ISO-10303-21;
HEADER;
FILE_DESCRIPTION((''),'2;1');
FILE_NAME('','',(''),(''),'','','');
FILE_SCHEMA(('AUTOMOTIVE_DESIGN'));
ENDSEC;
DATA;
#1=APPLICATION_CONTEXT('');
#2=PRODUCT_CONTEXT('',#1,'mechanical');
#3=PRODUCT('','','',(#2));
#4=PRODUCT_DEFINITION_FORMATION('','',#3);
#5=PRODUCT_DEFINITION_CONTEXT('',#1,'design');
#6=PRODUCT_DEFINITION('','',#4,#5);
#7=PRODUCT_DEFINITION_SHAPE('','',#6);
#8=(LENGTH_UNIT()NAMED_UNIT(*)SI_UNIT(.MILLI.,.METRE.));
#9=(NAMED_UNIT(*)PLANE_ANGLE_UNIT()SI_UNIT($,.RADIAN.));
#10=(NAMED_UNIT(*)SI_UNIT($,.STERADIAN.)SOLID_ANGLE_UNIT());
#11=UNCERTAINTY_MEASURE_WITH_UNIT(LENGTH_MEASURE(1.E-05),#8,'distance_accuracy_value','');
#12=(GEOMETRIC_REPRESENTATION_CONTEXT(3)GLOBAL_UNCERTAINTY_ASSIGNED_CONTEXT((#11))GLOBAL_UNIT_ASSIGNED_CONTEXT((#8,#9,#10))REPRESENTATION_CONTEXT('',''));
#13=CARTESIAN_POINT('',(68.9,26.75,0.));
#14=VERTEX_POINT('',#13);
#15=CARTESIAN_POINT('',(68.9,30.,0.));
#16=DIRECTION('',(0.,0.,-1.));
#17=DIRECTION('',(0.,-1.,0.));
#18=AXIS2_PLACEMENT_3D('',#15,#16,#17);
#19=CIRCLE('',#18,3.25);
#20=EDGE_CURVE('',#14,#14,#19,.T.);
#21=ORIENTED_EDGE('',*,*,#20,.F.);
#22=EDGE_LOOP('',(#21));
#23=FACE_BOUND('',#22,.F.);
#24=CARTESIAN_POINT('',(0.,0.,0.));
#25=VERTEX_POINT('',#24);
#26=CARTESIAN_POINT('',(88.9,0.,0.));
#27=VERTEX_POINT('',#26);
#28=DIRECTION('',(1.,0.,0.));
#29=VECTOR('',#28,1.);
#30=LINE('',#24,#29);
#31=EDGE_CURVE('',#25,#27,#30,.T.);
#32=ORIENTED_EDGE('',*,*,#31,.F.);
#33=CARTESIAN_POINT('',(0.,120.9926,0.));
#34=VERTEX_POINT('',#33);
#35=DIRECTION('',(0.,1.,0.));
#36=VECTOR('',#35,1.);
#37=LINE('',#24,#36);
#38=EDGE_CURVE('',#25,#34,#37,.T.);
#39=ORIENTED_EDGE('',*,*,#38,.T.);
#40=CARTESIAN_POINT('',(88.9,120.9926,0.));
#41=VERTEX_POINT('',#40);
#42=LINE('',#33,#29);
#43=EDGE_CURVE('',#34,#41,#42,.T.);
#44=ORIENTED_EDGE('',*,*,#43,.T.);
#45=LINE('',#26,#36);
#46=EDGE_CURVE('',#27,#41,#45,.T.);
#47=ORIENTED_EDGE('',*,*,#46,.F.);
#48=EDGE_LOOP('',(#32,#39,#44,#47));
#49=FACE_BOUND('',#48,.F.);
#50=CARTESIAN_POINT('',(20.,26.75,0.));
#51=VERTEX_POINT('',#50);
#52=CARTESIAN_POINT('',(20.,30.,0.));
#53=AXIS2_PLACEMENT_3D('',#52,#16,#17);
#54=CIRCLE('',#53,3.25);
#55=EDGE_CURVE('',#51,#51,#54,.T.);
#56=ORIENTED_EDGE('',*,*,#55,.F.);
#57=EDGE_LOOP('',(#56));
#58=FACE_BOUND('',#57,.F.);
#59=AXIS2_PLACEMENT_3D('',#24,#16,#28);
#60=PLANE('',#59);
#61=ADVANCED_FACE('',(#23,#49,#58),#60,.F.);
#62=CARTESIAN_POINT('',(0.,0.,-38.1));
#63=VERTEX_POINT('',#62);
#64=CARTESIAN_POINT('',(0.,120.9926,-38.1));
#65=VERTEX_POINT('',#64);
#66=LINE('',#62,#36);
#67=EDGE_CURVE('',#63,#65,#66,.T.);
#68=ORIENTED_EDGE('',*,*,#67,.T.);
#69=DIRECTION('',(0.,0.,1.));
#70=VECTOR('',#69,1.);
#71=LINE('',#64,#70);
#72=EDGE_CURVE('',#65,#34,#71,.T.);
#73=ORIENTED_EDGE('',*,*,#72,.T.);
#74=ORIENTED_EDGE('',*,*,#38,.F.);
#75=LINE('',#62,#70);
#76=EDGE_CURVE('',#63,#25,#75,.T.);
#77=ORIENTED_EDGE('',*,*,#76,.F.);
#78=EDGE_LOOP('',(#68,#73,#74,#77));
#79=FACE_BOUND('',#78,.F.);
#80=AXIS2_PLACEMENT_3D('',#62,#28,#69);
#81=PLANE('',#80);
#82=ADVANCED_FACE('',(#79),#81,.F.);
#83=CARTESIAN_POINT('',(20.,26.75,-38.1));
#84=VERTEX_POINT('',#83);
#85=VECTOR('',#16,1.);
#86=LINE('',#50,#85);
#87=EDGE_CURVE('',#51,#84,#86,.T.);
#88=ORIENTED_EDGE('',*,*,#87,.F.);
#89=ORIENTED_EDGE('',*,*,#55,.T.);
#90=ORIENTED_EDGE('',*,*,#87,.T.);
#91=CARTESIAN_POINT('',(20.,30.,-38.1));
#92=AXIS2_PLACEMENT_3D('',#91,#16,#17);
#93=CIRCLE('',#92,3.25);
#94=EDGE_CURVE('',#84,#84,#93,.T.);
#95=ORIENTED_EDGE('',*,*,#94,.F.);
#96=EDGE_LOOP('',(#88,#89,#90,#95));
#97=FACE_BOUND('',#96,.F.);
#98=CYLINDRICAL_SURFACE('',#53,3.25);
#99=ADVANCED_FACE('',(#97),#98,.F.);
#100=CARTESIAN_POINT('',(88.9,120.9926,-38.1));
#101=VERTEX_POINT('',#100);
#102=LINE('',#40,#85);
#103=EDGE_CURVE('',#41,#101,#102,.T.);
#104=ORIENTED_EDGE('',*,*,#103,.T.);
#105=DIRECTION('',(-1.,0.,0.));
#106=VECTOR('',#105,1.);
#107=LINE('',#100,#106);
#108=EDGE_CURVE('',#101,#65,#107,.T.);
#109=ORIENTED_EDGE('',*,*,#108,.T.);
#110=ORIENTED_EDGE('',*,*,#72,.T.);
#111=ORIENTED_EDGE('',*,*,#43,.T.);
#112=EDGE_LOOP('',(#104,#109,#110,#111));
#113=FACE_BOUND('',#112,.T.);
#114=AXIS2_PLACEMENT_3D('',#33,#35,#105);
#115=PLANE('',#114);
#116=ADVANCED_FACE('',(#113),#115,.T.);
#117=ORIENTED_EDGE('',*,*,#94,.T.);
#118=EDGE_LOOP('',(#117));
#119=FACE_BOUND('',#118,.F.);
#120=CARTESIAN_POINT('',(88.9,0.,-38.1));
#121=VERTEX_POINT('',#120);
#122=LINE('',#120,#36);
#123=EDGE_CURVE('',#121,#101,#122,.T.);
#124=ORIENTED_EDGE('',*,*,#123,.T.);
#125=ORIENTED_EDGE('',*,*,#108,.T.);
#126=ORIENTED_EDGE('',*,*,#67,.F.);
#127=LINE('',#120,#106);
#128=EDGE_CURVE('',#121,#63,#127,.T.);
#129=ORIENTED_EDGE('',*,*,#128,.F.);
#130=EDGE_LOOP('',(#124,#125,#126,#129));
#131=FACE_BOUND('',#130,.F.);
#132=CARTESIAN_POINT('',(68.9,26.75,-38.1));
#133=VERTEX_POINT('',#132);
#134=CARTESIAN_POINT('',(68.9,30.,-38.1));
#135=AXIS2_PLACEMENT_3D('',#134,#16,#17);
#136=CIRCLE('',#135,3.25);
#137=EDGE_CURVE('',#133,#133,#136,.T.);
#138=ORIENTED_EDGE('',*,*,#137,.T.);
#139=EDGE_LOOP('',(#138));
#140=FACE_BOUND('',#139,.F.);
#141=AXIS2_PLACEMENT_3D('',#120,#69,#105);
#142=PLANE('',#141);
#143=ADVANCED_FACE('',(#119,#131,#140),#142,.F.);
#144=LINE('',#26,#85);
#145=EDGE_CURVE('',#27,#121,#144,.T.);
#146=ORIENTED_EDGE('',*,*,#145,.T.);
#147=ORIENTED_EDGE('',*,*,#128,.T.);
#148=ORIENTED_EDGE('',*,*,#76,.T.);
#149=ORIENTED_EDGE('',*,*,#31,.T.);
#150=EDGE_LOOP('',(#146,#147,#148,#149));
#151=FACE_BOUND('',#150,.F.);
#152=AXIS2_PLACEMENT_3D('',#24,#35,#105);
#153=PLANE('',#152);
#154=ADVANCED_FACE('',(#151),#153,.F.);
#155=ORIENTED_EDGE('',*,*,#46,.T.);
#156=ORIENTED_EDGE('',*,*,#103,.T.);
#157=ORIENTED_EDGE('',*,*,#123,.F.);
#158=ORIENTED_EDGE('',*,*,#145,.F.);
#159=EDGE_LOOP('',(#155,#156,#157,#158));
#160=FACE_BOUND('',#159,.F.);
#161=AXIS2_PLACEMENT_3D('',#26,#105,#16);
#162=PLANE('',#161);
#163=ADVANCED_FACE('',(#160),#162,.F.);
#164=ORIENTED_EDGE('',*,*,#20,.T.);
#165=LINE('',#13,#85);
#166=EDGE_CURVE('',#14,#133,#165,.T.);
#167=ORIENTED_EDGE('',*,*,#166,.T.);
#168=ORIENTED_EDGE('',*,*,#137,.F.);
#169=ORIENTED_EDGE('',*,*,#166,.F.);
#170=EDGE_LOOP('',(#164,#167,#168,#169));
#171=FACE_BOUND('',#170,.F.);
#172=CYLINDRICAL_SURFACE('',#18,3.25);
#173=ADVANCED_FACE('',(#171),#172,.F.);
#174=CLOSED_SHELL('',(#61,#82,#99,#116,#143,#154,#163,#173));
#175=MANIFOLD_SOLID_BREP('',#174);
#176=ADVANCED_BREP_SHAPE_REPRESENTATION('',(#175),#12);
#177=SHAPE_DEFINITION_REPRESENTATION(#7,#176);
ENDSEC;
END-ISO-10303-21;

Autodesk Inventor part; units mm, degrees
ref_plane "YZ Plane" through (0, 0, 0) normal (1, 0, 0) x (0, 1, 0)
ref_plane "XZ Plane" through (0, 0, 0) normal (0, 1, 0) x (-1, 0, 0)
ref_plane "XY Plane" through (0, 0, 0) normal (0, 0, 1) x (1, 0, 0)
sketch "Sketch1" plane through (0, 0, 0) normal (0, 1, 0) x (-1, 0, 0)
  line L0 (0, 0) -> (-88.9, 0)
  line L1 (-88.9, 0) -> (-88.9, -38.1)
  line L2 (-88.9, -38.1) -> (0, -38.1)
  line L3 (0, -38.1) -> (0, 0)
  dimension "d0" = 88.9
  dimension "d1" = 38.1
extrude "Extrusion1" add sketch "Sketch1" along normal blind 120.9926
sketch "Sketch2" plane through (0, 0, 0) normal (0, 0, 1) x (1, 0, 0)
  line L0 (88.9, 0) -> (0, 0) construction
  line L1 (0, 0) -> (20, 0) construction
  line L2 (20, 0) -> (20, 30) construction
  line L3 (20, 30) -> (0, 30) construction
  line L4 (0, 30) -> (0, 0) construction
  line L5 (88.9, 0) -> (68.9, 0) construction
  line L6 (68.9, 0) -> (68.9, 30) construction
  line L7 (68.9, 30) -> (88.9, 30) construction
  line L8 (88.9, 30) -> (88.9, 0) construction
  circle A0 centre (20, 30) radius 3
  circle A1 centre (68.9, 30) radius 3
  dimension "d4" = 20
  dimension "d5" = 20
  dimension "d6" = 30
  dimension "d7" = 30
  dimension "d8" = 6
  dimension "d9" = 6
  dimension "d17" = 48.9
hole "Hole1" at (68.9, 30, 0) at (20, 30, 0) direction (0, 0, -1) diameter 6.5 end through all
properties part number "backmotormount" material "Wood (Birch)"
